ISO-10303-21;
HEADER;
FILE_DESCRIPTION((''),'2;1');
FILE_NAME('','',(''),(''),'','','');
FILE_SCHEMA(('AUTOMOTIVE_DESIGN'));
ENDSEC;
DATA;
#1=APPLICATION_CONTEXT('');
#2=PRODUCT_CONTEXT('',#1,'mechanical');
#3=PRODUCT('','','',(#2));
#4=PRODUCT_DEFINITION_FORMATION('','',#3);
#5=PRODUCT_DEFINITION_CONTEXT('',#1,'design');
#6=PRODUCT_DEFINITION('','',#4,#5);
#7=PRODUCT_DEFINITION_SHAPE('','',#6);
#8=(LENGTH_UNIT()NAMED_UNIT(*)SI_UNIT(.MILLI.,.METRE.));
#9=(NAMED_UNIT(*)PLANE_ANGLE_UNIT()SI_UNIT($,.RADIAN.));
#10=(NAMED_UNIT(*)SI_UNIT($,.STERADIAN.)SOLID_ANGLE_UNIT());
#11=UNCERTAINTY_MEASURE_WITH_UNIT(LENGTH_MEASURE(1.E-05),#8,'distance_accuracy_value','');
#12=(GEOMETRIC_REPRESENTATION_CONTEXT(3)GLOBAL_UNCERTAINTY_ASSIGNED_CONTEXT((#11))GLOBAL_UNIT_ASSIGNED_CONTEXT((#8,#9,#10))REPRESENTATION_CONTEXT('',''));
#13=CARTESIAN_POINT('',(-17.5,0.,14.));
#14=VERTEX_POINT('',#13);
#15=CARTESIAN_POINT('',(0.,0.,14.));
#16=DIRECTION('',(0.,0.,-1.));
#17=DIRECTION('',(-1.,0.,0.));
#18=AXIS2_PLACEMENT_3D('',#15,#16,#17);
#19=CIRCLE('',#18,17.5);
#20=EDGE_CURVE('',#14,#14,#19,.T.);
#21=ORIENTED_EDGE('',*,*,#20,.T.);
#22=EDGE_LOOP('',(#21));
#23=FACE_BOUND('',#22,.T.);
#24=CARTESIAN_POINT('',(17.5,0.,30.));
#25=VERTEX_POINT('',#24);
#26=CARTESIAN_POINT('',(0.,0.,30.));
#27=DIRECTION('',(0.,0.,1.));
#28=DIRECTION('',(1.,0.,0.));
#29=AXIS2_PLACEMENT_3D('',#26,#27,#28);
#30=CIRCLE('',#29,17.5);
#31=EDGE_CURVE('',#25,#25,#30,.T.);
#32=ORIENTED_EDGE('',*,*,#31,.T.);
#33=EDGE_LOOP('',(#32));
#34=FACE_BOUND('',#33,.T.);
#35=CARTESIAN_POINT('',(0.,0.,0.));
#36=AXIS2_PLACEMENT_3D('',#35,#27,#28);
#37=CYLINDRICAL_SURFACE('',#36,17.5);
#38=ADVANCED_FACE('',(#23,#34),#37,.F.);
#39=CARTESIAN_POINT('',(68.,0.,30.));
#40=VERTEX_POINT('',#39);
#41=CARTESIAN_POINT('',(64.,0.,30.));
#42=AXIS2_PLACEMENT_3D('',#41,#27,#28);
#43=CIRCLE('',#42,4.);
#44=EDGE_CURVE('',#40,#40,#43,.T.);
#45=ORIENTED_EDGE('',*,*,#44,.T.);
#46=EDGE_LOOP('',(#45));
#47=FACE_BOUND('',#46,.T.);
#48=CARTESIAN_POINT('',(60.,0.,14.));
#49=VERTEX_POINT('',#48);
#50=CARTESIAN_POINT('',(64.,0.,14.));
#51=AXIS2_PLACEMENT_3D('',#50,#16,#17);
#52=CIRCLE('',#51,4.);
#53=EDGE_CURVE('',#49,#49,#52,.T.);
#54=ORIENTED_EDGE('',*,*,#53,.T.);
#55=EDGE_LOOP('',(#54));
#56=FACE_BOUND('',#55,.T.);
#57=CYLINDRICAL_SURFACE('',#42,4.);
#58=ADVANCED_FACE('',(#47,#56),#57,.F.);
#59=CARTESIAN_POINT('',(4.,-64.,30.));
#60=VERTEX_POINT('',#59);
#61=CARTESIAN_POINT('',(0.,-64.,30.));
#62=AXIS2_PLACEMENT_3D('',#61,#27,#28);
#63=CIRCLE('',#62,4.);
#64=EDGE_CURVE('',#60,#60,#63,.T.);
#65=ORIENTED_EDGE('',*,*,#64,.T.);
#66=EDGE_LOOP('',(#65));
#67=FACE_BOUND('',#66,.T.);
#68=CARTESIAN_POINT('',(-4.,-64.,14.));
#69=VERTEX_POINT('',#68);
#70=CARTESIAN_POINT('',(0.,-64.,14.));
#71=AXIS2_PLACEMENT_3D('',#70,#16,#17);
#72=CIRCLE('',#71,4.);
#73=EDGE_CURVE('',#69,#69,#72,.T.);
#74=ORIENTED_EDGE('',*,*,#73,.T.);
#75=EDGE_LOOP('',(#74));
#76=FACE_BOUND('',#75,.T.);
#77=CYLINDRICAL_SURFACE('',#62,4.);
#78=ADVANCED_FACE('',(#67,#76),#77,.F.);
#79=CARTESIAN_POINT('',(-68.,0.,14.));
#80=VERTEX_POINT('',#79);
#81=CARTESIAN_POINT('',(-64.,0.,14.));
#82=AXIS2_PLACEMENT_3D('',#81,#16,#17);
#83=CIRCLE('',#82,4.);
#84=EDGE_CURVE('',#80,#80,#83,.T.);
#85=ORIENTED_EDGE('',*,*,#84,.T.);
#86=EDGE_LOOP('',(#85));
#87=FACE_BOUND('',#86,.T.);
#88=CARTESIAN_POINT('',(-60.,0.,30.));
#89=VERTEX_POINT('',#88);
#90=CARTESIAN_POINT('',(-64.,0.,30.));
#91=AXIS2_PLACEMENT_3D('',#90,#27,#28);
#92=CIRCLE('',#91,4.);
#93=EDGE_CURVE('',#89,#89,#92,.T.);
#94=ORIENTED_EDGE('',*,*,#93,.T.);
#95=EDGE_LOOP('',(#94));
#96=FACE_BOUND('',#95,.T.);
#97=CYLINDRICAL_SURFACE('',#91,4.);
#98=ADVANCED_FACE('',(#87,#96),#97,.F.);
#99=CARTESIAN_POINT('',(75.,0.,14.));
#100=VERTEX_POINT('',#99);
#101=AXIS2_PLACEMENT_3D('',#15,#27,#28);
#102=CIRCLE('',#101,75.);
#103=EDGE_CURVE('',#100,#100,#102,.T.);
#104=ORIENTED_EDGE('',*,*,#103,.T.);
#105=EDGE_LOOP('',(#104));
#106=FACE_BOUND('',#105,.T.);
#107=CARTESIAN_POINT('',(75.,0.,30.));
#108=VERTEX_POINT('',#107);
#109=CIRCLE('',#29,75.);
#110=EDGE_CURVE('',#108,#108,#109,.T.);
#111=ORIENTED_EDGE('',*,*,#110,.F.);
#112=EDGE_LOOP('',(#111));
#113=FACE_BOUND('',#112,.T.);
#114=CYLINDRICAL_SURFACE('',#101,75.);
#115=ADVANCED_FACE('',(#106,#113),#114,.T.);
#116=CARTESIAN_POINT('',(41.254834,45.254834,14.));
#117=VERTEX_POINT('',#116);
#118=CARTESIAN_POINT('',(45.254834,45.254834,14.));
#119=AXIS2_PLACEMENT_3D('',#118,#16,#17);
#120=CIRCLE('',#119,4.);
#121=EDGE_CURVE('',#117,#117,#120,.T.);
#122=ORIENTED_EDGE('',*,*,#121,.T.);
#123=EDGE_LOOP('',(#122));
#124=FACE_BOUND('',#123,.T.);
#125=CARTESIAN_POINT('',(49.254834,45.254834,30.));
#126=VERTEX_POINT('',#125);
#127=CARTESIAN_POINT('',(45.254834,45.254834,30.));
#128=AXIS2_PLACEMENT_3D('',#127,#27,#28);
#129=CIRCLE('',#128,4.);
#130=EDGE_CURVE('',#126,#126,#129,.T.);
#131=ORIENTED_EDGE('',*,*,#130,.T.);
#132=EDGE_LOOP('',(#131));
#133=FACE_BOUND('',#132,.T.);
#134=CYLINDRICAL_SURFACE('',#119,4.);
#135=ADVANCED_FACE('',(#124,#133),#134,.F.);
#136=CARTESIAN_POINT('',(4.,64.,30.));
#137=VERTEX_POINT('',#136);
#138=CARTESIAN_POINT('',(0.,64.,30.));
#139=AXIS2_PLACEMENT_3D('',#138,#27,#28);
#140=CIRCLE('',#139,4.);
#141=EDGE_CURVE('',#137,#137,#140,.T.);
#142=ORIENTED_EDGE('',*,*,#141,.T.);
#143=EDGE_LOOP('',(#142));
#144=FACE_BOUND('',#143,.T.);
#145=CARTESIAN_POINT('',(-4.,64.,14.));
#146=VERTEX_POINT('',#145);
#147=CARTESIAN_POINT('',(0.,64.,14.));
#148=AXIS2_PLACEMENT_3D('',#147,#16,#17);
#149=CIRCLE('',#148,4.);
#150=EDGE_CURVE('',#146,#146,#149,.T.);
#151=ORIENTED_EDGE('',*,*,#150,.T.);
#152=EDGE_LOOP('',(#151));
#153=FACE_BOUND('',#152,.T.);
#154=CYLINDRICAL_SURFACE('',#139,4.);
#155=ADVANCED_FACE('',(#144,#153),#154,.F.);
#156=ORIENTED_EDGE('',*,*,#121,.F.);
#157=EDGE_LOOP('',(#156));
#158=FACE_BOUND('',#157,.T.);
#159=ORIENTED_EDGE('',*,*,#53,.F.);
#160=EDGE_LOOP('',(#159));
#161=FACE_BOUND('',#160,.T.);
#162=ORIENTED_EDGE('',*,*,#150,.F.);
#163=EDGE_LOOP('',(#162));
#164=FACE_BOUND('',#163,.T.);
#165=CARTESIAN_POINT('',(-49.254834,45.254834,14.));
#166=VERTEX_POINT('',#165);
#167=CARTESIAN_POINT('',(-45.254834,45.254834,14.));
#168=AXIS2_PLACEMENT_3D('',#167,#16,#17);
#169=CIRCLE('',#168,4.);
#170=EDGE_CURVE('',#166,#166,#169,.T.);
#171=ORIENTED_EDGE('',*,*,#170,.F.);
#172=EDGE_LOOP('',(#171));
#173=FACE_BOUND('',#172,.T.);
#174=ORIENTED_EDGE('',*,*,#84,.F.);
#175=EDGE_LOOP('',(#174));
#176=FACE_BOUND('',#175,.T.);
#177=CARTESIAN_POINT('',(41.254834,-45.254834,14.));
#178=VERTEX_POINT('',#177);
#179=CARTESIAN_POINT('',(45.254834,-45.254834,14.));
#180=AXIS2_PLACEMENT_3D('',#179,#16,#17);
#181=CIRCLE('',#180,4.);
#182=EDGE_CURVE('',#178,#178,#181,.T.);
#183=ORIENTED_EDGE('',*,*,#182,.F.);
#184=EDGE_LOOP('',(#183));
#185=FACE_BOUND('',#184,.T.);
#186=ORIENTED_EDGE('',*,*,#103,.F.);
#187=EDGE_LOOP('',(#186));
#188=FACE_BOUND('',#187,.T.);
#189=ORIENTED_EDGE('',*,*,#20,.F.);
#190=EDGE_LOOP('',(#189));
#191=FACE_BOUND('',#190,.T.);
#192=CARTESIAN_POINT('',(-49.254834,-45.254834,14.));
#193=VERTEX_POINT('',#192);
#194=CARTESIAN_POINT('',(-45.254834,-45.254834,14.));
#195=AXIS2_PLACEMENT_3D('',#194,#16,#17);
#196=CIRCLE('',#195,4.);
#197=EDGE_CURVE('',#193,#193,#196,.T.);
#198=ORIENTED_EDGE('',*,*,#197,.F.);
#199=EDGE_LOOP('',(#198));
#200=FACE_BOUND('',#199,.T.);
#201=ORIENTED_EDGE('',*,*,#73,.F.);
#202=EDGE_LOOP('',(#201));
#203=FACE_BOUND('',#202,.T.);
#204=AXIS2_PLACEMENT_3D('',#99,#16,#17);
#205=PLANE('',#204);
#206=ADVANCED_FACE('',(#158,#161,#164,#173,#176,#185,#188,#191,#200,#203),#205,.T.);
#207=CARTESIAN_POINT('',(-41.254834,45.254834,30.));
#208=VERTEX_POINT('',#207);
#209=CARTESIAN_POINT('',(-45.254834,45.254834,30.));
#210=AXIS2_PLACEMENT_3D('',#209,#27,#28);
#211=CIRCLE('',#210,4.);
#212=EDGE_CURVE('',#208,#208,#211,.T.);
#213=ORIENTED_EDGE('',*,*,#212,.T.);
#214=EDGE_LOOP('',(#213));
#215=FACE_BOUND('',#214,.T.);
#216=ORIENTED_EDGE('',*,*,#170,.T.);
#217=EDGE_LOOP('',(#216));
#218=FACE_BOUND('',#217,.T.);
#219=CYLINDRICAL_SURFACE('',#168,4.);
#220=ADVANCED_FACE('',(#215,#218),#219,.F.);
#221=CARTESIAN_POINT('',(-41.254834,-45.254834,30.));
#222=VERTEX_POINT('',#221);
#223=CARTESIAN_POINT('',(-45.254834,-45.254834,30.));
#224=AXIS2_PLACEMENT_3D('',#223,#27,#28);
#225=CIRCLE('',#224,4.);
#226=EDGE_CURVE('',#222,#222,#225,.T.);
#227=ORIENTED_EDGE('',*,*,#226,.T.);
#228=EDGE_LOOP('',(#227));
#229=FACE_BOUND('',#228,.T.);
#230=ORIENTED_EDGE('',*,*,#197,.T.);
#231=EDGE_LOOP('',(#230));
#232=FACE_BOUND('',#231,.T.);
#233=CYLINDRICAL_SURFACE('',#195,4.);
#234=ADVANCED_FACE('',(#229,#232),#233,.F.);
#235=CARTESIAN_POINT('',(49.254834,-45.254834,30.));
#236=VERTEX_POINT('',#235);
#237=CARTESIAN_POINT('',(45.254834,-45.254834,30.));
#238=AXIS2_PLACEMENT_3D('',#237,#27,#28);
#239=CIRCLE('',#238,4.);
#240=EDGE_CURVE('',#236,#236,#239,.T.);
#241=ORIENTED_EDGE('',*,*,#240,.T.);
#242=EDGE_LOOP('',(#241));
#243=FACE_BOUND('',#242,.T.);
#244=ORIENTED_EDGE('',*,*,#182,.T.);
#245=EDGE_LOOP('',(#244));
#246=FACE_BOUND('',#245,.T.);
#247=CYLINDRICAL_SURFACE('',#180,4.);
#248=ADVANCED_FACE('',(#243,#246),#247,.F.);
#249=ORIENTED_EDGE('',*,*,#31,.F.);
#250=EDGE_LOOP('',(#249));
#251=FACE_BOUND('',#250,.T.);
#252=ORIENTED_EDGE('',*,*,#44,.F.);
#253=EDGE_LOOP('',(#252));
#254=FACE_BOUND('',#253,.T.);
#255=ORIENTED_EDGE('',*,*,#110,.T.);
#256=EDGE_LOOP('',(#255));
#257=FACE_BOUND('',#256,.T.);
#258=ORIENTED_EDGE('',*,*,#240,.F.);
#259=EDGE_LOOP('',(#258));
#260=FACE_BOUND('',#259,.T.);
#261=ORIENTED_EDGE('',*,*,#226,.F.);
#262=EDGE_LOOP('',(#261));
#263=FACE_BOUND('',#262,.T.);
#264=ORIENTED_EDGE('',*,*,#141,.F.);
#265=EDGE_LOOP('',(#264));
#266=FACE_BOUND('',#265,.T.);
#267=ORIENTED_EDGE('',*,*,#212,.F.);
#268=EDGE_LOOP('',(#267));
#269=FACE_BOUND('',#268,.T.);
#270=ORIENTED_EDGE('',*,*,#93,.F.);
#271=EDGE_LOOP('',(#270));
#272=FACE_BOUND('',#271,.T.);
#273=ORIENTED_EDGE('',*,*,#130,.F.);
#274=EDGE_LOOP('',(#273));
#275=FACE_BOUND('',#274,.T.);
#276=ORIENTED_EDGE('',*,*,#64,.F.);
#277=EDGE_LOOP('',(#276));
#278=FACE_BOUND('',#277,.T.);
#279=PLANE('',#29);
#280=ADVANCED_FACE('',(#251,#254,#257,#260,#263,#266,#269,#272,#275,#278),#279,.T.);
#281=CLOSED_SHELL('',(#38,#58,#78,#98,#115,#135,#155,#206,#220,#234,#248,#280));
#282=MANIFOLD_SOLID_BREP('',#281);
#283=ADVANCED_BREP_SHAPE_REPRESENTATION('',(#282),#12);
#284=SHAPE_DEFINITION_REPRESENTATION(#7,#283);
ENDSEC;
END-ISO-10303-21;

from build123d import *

# Parameters (mm, degrees)
SKETCH1_W                    = 75
SKETCH1_H                    = 16
F_8_0_8_DIAMETER_HOLE1_D     = 8
F_8_0_8_DIAMETER_HOLE1_DEPTH = 30
F_8_0_8_DIAMETER_HOLE1_TIP   = 2.403442476
M6_CLEARANCE_HOLE1_D         = 8
M6_CLEARANCE_HOLE1_DEPTH     = 22
M6_CLEARANCE_HOLE1_TIP       = 2.403442476
SKETCH8_R                    = 17.5
CUT_EXTRUDE1_DEPTH           = 30


with BuildPart() as part:
    # Sketch1 → Revolve1 (revolve)
    with BuildSketch(Plane(origin=(0, 0, 0), x_dir=(1, 0, 0), z_dir=(0, 1, 0))):
        with Locations((37.5, -22)):
            Rectangle(SKETCH1_W, SKETCH1_H)
    revolve(axis=Axis((0, 0, 14), (0, 0, 1)))

    # Ø8.0 (8) Diameter Hole1
    with Locations(Plane(origin=(0, 0, 14), x_dir=(-1, 0, 0), z_dir=(0, 0, -1))):
        with Locations((45.254833996, 45.254833996), (-45.254833996, 45.254833996), (-45.254833996, -45.254833996), (45.254833996, -45.254833996)):
            Hole(F_8_0_8_DIAMETER_HOLE1_D / 2, depth=F_8_0_8_DIAMETER_HOLE1_DEPTH)
            with Locations((0, 0, -(F_8_0_8_DIAMETER_HOLE1_DEPTH + F_8_0_8_DIAMETER_HOLE1_TIP / 2))):  # 118° drill point
                Cone(0, F_8_0_8_DIAMETER_HOLE1_D / 2, F_8_0_8_DIAMETER_HOLE1_TIP, mode=Mode.SUBTRACT)

    # M6 Clearance Hole1
    with Locations(Plane.XY.offset(30)):
        with Locations((0, 64), (0, -64), (64, 0), (-64, 0)):
            Hole(M6_CLEARANCE_HOLE1_D / 2, depth=M6_CLEARANCE_HOLE1_DEPTH)
            with Locations((0, 0, -(M6_CLEARANCE_HOLE1_DEPTH + M6_CLEARANCE_HOLE1_TIP / 2))):  # 118° drill point
                Cone(0, M6_CLEARANCE_HOLE1_D / 2, M6_CLEARANCE_HOLE1_TIP, mode=Mode.SUBTRACT)

    # Sketch8 → Cut-Extrude1 (cut)
    with BuildSketch(Plane.XY.offset(30)):
        Circle(SKETCH8_R)
    extrude(amount=-CUT_EXTRUDE1_DEPTH, mode=Mode.SUBTRACT)


solid = part.part
